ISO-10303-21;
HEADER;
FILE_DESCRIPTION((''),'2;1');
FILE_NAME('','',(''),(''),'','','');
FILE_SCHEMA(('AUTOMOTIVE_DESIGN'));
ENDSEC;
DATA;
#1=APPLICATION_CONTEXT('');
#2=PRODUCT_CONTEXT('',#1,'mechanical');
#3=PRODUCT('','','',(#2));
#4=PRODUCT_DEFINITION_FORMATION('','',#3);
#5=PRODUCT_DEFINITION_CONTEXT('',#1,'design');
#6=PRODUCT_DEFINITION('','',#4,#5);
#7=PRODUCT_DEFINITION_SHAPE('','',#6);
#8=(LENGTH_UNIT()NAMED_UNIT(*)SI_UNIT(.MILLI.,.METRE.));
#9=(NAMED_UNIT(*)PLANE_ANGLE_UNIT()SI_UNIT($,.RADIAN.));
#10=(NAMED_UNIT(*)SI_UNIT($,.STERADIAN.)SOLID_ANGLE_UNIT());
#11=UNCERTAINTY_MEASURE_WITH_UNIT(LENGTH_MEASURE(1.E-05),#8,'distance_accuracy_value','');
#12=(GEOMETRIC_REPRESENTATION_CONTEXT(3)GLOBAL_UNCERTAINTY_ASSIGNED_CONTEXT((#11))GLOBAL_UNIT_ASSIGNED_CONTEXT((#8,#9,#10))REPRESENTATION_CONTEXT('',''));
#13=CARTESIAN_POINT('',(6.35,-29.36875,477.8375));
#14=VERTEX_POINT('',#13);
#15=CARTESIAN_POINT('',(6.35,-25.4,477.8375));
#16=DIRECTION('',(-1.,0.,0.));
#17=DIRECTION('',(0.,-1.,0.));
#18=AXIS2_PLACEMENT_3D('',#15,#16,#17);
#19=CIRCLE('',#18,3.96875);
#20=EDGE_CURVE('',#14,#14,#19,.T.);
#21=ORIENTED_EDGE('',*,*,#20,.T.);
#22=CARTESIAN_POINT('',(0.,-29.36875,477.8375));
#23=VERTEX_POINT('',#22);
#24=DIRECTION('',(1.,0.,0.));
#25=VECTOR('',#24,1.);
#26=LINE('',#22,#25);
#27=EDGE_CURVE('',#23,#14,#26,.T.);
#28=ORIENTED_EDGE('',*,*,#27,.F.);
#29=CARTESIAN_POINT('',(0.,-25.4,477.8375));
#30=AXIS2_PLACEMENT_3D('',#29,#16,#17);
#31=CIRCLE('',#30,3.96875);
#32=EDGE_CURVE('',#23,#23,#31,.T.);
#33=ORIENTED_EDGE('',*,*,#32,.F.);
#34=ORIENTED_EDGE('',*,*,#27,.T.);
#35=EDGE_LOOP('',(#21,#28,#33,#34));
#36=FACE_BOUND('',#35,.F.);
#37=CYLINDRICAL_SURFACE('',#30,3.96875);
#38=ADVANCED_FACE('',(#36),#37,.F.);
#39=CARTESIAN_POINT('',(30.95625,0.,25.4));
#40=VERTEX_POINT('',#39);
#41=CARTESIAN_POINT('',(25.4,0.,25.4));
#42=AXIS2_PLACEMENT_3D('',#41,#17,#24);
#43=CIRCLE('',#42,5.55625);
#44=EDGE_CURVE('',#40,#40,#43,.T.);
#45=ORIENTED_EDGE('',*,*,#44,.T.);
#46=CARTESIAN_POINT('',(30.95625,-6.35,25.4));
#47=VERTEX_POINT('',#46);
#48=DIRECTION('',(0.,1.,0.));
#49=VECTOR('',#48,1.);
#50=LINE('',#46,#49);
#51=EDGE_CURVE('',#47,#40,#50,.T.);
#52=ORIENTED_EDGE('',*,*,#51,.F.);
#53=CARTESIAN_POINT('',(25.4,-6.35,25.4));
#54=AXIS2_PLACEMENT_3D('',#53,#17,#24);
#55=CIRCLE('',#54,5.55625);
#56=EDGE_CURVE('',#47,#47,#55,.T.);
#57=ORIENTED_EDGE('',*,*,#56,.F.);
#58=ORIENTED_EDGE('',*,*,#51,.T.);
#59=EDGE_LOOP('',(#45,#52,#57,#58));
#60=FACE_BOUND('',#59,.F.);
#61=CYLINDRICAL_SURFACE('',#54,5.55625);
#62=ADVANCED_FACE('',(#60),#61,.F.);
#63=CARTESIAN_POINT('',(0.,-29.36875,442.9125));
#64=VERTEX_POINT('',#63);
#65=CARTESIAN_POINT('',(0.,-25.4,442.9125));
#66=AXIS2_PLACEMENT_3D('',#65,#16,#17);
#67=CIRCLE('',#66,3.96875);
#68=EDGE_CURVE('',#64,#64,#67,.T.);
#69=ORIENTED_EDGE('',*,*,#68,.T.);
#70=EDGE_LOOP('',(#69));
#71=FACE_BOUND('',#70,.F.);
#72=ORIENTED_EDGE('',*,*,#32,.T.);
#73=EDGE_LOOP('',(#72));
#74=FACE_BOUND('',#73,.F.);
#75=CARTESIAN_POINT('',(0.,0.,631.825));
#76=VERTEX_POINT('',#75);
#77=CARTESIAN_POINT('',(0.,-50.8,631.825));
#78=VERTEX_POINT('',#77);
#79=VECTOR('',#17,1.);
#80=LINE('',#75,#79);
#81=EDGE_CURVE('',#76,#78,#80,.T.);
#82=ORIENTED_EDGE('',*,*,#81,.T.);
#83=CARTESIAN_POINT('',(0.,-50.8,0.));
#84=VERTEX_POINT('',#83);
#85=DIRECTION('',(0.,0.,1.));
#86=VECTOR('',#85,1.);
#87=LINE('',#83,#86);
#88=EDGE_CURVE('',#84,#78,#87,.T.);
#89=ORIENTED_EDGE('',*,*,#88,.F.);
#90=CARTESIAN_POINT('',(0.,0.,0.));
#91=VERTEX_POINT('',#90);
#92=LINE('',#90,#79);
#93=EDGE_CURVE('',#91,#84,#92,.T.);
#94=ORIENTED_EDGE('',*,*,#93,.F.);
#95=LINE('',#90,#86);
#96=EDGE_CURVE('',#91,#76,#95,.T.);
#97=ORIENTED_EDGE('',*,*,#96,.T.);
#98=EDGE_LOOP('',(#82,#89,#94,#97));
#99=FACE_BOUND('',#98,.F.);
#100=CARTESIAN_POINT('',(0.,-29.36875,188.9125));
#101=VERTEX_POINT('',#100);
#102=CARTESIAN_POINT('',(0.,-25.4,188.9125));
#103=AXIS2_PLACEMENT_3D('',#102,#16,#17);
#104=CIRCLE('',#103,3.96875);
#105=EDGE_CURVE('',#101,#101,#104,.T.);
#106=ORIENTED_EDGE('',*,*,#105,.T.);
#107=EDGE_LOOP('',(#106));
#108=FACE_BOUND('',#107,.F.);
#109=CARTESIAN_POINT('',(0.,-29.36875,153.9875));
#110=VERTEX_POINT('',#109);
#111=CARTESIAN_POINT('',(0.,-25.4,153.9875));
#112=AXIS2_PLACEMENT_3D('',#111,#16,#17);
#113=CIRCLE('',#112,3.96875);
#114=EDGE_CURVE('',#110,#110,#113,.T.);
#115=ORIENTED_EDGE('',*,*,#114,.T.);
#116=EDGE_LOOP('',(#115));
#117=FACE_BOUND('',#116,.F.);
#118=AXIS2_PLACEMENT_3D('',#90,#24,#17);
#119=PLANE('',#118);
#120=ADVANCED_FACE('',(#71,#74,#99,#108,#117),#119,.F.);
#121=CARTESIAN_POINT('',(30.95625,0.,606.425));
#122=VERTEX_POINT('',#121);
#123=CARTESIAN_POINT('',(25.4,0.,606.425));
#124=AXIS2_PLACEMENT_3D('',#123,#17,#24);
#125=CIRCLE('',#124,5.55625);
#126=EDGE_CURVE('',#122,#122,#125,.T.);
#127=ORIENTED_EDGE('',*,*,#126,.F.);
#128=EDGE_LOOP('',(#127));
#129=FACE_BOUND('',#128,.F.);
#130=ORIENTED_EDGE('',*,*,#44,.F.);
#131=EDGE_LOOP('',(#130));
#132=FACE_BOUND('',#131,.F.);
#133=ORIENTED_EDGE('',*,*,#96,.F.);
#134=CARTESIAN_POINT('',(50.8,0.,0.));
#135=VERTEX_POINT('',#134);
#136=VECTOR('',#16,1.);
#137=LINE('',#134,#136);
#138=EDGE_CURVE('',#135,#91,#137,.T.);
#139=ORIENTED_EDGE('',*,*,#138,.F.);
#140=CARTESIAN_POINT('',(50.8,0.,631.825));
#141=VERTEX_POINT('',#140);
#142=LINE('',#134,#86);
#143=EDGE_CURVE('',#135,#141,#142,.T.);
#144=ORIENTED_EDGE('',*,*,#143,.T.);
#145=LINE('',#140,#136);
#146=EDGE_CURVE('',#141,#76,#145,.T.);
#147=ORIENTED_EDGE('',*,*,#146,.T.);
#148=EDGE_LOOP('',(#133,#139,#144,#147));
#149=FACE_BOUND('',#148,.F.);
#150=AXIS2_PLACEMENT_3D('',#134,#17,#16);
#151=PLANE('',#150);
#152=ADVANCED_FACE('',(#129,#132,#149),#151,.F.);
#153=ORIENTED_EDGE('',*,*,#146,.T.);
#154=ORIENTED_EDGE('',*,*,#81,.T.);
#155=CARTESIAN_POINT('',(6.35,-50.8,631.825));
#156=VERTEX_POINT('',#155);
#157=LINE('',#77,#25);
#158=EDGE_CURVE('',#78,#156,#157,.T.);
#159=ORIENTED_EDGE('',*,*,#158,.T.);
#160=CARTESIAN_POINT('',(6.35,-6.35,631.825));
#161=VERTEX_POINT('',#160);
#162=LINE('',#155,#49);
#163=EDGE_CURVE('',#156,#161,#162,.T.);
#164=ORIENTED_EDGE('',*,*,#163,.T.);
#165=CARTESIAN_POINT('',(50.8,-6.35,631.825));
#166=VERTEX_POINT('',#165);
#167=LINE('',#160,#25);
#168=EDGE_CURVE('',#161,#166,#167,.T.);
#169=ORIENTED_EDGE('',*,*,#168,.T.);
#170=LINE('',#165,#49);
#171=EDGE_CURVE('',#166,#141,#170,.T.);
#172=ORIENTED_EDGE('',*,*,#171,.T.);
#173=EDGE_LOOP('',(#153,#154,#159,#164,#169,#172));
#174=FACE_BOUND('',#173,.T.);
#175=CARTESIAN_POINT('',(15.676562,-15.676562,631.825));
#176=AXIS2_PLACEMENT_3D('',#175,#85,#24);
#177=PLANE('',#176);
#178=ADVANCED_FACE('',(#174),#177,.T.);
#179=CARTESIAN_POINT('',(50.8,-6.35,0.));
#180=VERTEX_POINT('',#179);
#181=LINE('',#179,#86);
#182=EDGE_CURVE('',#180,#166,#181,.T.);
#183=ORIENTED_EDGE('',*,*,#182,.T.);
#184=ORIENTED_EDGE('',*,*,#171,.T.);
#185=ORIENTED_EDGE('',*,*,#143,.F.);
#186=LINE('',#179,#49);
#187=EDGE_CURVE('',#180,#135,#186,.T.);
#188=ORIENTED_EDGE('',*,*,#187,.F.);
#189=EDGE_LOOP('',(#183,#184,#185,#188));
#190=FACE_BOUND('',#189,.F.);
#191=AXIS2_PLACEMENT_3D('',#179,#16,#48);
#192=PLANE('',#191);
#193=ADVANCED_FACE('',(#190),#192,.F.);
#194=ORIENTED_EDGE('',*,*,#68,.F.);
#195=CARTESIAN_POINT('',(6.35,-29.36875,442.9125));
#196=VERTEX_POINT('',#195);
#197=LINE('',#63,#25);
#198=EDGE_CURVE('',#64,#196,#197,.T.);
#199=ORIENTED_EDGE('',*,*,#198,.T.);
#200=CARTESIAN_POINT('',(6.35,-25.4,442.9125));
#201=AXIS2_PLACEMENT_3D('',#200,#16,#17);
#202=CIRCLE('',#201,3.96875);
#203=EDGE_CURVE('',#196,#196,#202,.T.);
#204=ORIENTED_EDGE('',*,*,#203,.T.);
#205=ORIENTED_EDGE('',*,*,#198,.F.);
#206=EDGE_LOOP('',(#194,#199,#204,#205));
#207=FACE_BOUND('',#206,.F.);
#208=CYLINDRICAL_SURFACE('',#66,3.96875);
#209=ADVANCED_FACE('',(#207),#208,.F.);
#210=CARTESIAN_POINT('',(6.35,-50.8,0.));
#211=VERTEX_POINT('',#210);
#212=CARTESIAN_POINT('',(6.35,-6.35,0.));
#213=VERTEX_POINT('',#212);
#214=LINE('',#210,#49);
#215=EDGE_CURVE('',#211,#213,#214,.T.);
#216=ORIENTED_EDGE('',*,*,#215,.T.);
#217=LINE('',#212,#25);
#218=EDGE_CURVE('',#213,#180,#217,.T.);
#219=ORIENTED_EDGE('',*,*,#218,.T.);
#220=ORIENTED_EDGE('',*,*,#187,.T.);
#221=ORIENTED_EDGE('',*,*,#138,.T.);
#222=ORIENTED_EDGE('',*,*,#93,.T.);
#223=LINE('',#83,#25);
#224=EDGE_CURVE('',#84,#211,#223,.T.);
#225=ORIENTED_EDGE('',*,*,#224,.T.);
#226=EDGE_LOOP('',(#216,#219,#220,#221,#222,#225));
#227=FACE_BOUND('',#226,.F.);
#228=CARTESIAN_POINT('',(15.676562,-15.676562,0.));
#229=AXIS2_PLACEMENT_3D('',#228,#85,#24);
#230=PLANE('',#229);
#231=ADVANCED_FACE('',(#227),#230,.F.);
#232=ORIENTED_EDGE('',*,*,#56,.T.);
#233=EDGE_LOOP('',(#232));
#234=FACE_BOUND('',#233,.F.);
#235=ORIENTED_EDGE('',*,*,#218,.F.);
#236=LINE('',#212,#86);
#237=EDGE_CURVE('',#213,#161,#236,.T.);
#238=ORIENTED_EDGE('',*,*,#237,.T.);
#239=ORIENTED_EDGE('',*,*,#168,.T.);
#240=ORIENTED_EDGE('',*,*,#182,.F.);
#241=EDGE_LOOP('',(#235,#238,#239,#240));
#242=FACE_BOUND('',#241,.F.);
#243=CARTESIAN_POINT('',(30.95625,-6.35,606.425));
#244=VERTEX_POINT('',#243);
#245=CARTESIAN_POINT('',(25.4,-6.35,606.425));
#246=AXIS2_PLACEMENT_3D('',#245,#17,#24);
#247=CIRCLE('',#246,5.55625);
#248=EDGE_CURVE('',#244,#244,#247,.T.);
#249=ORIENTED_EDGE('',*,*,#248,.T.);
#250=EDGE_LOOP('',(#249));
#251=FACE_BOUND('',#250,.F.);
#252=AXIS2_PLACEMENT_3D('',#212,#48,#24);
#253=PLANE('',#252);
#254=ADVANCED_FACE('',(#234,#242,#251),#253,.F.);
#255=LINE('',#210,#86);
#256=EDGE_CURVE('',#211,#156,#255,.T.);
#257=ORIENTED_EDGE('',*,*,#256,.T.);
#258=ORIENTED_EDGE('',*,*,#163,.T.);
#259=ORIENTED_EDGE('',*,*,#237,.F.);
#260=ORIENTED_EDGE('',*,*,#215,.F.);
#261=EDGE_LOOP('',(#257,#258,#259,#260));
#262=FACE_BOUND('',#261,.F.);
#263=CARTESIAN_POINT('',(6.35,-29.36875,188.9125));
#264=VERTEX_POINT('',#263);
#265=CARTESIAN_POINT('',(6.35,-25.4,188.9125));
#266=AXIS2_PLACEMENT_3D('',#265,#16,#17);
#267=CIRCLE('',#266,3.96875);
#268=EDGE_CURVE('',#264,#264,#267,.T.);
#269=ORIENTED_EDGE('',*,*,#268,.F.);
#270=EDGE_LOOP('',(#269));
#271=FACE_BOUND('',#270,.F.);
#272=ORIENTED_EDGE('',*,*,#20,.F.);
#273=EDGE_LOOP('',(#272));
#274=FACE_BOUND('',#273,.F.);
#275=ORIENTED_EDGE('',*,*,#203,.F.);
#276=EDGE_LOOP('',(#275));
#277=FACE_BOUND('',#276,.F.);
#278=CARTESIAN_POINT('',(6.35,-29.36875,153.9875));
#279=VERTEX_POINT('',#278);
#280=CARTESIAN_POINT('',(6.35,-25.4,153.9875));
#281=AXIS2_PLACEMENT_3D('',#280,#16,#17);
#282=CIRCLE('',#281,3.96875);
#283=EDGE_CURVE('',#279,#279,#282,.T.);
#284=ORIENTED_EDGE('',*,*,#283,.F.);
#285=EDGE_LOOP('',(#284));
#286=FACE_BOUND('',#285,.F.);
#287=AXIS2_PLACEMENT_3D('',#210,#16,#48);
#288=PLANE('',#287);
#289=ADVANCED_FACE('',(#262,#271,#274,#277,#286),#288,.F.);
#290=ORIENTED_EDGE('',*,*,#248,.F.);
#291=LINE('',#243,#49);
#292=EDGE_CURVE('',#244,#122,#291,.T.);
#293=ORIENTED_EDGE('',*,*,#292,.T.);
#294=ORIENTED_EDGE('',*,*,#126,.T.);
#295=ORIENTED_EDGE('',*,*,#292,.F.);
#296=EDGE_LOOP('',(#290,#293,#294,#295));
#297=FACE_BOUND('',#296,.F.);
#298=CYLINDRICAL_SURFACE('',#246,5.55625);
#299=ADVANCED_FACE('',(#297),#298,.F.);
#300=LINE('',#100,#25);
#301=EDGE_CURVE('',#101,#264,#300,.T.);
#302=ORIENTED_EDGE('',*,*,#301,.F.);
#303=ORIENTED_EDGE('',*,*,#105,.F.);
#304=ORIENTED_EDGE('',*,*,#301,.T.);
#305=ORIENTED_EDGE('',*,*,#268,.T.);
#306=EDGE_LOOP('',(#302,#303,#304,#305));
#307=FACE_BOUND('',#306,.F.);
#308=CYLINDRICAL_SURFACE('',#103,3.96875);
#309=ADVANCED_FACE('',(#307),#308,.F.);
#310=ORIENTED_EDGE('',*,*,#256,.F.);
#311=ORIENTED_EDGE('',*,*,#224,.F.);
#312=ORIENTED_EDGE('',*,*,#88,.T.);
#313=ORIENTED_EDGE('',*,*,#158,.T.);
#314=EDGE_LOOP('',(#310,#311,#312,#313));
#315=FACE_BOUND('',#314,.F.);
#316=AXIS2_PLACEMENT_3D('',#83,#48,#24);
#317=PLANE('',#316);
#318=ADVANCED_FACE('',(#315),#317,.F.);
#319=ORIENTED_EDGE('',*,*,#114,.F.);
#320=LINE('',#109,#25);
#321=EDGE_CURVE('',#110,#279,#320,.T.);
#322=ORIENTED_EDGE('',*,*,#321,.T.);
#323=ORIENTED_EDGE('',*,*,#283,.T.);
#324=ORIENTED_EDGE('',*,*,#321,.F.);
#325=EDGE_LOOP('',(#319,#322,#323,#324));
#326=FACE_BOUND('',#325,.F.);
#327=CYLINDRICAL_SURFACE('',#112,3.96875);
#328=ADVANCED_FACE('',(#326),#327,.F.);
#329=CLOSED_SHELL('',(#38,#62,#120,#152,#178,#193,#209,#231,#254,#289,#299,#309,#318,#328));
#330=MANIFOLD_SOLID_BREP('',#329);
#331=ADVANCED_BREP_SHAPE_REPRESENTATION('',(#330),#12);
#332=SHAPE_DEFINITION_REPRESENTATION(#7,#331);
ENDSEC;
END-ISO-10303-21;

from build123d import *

# Parameters (mm, degrees)
F1_DEPTH = 631.825
F2_R     = 5.55625
F3_DEPTH = 6.351
F4_R     = 3.96875
F5_DEPTH = 50.801


with BuildPart() as f1:
    # F0 (on Top) → F1 (new body)
    with BuildSketch(Plane.XY):
        Polygon((50.8, 0), (0, 0), (0, -50.8), (6.35, -50.8), (6.35, -6.35), (50.8, -6.35), align=None)
    extrude(amount=F1_DEPTH)

    # F2 (on face) → F3 (cut, through all)
    with BuildSketch(Plane.XZ.offset(6.35)):
        with Locations((25.4, 606.425)):
            Circle(F2_R)
        with Locations((25.4, 25.4)):
            Circle(F2_R)
    extrude(amount=-F3_DEPTH, mode=Mode.SUBTRACT)

    # F4 (on face) → F5 (cut, through all)
    with BuildSketch(Plane(origin=(0, 0, 0), x_dir=(0, -1, 0), z_dir=(-1, 0, 0))):
        with Locations((25.4, 477.8375)):
            Circle(F4_R)
        with Locations((25.4, 153.9875)):
            Circle(F4_R)
        with Locations((25.4, 188.9125)):
            Circle(F4_R)
        with Locations((25.4, 442.9125)):
            Circle(F4_R)
    extrude(amount=-F5_DEPTH, mode=Mode.SUBTRACT)


solid = f1.part
